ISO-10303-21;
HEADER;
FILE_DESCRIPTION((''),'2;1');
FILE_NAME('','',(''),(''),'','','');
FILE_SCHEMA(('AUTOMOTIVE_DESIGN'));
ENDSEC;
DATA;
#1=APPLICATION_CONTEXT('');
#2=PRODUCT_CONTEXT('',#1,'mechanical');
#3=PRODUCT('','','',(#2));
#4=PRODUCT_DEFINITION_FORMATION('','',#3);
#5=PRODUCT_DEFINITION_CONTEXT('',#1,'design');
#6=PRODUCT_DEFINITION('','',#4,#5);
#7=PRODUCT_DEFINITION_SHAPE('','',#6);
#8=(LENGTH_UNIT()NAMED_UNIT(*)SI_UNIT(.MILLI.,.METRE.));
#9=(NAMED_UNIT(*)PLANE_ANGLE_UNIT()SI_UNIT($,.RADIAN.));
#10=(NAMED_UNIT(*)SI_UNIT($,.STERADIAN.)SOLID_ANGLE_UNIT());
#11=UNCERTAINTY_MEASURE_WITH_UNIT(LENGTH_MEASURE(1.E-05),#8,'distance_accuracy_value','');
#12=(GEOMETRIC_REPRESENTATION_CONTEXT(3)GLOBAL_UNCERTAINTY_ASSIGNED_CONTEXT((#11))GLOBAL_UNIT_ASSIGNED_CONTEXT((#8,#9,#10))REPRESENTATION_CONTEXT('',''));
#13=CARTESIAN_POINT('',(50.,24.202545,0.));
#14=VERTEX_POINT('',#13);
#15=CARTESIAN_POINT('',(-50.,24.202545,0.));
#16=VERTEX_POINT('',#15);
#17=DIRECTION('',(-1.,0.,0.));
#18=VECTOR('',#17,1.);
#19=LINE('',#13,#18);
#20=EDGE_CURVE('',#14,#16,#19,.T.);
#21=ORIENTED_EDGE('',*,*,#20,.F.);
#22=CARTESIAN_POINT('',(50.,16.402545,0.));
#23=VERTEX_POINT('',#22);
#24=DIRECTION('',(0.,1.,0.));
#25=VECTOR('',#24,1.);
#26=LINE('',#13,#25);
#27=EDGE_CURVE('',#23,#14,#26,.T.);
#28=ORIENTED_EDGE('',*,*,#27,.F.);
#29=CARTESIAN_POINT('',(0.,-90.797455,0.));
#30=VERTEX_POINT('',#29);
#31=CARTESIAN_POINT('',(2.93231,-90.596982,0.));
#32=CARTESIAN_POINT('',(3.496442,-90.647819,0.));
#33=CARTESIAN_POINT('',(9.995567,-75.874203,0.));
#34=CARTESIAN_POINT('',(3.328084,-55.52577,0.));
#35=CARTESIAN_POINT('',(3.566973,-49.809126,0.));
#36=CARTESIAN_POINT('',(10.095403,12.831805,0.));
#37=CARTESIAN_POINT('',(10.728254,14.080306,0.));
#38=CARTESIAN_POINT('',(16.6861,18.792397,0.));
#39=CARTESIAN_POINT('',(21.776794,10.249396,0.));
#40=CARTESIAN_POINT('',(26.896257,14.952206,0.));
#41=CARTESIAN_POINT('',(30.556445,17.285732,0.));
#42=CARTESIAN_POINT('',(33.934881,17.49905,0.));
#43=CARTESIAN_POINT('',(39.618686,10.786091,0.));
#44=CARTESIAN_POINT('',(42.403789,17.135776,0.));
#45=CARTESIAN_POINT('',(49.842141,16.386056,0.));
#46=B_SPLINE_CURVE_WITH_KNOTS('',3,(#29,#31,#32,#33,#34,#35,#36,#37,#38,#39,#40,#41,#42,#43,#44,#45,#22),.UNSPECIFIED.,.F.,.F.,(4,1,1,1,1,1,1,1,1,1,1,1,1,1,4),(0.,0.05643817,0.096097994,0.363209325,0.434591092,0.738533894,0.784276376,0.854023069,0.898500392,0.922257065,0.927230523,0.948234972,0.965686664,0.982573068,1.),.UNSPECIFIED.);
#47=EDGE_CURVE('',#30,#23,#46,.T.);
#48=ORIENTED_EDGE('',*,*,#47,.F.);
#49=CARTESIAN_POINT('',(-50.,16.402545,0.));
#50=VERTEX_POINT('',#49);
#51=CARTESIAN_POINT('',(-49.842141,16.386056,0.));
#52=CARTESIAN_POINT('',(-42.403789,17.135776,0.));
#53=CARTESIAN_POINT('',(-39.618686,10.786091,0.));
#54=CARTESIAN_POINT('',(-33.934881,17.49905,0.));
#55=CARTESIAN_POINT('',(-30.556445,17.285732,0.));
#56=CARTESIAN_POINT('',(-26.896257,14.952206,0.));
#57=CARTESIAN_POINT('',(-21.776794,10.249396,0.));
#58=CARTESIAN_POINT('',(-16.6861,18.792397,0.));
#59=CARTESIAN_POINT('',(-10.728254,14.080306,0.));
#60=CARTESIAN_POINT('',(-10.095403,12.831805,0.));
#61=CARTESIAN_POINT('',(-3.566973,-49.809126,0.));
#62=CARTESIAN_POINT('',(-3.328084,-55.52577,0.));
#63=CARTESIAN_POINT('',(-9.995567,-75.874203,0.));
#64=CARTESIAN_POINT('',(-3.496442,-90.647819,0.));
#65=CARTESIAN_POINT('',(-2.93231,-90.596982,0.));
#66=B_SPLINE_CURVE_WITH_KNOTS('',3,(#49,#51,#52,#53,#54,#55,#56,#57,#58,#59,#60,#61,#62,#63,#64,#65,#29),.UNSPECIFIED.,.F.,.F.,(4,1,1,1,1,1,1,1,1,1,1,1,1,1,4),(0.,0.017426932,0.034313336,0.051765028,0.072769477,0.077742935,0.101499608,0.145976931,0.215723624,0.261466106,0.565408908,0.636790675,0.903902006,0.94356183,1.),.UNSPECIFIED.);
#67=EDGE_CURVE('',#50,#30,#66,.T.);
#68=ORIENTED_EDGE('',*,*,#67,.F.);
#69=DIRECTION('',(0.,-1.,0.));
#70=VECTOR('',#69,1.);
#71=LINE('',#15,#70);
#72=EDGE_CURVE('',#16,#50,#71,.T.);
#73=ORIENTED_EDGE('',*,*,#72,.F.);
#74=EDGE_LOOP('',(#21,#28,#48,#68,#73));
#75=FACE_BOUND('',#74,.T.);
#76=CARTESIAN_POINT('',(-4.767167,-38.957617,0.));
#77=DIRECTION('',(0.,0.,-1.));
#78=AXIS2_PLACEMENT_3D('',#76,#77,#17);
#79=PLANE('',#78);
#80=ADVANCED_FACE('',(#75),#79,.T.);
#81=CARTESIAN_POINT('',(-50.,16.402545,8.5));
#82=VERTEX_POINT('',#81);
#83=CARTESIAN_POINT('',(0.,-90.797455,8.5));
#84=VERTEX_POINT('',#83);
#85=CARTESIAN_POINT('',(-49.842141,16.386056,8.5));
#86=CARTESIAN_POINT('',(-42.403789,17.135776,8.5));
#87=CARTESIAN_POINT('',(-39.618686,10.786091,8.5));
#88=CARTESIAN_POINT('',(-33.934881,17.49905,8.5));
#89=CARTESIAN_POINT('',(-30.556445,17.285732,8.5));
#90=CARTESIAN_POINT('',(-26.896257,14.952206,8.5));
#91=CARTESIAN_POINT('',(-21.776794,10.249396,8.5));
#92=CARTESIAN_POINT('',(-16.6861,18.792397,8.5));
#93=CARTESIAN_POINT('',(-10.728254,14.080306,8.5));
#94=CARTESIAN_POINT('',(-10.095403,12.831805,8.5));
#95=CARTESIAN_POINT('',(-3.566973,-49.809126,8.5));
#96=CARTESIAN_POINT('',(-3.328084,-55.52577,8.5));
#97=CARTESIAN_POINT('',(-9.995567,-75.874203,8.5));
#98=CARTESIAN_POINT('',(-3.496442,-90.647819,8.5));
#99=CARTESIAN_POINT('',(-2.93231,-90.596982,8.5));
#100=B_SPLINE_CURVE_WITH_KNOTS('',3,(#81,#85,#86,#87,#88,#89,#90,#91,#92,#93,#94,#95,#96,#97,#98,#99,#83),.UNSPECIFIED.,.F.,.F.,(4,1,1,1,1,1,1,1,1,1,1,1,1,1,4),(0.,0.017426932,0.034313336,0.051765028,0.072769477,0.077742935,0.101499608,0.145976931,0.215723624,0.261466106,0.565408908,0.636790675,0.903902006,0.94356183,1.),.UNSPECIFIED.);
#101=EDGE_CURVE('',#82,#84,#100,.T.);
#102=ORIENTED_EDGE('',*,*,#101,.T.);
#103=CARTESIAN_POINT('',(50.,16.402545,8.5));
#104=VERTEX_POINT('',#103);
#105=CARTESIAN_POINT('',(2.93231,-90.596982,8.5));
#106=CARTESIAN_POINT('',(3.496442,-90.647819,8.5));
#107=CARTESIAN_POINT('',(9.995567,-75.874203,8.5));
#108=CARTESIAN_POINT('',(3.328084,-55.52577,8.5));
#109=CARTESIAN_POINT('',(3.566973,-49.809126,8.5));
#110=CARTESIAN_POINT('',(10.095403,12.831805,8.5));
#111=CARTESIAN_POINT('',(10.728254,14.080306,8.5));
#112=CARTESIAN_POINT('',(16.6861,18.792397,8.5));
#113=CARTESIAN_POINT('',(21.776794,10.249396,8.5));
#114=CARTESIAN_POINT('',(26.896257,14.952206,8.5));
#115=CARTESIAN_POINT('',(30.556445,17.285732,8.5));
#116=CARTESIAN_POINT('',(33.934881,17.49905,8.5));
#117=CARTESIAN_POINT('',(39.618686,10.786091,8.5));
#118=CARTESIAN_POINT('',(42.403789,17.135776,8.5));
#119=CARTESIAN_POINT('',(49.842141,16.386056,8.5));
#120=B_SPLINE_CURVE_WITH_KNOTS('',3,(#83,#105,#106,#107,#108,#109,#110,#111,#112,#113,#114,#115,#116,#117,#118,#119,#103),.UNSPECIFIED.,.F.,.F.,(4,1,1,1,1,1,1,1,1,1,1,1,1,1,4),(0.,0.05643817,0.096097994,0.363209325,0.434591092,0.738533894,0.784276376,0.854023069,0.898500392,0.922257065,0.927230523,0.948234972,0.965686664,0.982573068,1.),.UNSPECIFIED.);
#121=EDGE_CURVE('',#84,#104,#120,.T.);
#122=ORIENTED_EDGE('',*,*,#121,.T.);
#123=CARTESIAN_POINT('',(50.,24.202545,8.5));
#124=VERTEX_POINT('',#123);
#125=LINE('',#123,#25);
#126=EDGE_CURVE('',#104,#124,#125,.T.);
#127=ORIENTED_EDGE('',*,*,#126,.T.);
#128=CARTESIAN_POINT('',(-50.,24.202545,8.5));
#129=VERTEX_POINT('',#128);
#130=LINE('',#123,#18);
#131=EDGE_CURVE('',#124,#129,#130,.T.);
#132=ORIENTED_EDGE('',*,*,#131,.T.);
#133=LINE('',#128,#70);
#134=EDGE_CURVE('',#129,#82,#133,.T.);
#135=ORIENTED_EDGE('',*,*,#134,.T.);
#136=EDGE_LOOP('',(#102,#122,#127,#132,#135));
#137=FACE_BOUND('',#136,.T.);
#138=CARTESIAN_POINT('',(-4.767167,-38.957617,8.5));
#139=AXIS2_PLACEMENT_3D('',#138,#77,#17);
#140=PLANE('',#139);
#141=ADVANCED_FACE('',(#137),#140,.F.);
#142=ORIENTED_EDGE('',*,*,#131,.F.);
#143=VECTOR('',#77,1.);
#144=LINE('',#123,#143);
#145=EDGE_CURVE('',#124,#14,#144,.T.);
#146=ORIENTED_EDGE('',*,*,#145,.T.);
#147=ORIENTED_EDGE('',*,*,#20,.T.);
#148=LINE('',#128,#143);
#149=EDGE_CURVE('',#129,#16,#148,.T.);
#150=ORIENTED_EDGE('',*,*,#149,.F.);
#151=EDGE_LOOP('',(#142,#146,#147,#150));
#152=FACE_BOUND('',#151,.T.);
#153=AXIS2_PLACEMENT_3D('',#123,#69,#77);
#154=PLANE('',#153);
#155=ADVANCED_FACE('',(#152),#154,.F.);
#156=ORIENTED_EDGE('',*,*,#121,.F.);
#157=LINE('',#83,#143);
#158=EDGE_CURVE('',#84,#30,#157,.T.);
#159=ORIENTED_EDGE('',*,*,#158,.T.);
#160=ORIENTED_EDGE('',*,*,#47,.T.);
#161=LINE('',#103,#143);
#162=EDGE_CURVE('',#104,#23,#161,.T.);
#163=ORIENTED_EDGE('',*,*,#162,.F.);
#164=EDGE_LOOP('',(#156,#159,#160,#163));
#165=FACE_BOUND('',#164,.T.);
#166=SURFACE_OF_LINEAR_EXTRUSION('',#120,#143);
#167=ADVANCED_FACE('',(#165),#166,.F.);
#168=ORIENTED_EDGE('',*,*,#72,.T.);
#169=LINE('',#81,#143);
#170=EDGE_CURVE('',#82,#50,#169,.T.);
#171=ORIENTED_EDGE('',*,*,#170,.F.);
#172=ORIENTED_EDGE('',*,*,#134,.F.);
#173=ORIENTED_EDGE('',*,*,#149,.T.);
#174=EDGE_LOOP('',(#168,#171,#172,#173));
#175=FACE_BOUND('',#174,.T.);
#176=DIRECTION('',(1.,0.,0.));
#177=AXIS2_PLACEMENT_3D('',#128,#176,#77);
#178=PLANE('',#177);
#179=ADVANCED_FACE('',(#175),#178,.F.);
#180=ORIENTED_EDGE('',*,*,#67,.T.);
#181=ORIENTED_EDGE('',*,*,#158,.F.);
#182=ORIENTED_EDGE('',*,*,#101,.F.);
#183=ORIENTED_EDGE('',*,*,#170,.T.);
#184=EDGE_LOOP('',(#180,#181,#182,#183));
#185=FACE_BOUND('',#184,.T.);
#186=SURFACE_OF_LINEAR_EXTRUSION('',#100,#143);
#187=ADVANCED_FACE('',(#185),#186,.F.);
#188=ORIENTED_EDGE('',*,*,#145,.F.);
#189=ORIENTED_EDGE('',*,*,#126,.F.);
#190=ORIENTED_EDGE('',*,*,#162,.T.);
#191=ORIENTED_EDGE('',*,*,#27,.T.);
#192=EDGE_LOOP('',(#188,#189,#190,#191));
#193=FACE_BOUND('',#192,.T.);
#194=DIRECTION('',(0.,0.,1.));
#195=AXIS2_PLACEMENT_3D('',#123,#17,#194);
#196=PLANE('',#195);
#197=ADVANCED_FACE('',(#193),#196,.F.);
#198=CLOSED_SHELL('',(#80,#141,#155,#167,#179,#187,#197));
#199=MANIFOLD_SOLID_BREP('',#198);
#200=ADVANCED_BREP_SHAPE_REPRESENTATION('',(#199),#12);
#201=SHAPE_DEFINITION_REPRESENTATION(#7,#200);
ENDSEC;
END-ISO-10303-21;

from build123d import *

# Parameters (mm, degrees)
BOSS_EXTRU_1_DEPTH = 8.5


with BuildPart() as part:
    # Esquisse1 → Boss.-Extru.1 (new body)
    with BuildSketch(Plane.XY):
        with BuildLine():
            Line((50, 24.202544964), (-50, 24.202544964))
            Line((-50, 24.202544964), (-50, 16.402544964))
            add(Edge.make_bspline(
                [(-50, 16.402544964), (-49.842140884, 16.386056111), (-42.403789104, 17.135775584), (-39.61868628, 10.786090771), (-33.934881415, 17.499050341), (-30.556444558, 17.285731582), (-26.896256798, 14.952205988), (-21.776794073, 10.249396089), (-16.686100319, 18.792396525), (-10.72825382, 14.080305631), (-10.095402885, 12.831804755), (-3.566973077, -49.809126391), (-3.328084029, -55.525769926), (-9.99556685, -75.874202551), (-3.496441737, -90.647819477), (-2.932310471, -90.596981582), (0, -90.797455036)],
                knots=[0, 0, 0, 0, 0.017426932, 0.034313336, 0.051765028, 0.072769477, 0.077742935, 0.101499608, 0.145976931, 0.215723624, 0.261466106, 0.565408908, 0.636790675, 0.903902006, 0.94356183, 1, 1, 1, 1], degree=3))
            add(Edge.make_bspline(
                [(50, 16.402544964), (49.842140884, 16.386056111), (42.403789104, 17.135775584), (39.61868628, 10.786090771), (33.934881415, 17.499050341), (30.556444558, 17.285731582), (26.896256798, 14.952205988), (21.776794073, 10.249396089), (16.686100319, 18.792396525), (10.72825382, 14.080305631), (10.095402885, 12.831804755), (3.566973077, -49.809126391), (3.328084029, -55.525769926), (9.99556685, -75.874202551), (3.496441737, -90.647819477), (2.932310471, -90.596981582), (0, -90.797455036)],
                knots=[0, 0, 0, 0, 0.017426932, 0.034313336, 0.051765028, 0.072769477, 0.077742935, 0.101499608, 0.145976931, 0.215723624, 0.261466106, 0.565408908, 0.636790675, 0.903902006, 0.94356183, 1, 1, 1, 1], degree=3))
            Line((50, 16.402544964), (50, 24.202544964))
        make_face()
    extrude(amount=BOSS_EXTRU_1_DEPTH)


solid = part.part
